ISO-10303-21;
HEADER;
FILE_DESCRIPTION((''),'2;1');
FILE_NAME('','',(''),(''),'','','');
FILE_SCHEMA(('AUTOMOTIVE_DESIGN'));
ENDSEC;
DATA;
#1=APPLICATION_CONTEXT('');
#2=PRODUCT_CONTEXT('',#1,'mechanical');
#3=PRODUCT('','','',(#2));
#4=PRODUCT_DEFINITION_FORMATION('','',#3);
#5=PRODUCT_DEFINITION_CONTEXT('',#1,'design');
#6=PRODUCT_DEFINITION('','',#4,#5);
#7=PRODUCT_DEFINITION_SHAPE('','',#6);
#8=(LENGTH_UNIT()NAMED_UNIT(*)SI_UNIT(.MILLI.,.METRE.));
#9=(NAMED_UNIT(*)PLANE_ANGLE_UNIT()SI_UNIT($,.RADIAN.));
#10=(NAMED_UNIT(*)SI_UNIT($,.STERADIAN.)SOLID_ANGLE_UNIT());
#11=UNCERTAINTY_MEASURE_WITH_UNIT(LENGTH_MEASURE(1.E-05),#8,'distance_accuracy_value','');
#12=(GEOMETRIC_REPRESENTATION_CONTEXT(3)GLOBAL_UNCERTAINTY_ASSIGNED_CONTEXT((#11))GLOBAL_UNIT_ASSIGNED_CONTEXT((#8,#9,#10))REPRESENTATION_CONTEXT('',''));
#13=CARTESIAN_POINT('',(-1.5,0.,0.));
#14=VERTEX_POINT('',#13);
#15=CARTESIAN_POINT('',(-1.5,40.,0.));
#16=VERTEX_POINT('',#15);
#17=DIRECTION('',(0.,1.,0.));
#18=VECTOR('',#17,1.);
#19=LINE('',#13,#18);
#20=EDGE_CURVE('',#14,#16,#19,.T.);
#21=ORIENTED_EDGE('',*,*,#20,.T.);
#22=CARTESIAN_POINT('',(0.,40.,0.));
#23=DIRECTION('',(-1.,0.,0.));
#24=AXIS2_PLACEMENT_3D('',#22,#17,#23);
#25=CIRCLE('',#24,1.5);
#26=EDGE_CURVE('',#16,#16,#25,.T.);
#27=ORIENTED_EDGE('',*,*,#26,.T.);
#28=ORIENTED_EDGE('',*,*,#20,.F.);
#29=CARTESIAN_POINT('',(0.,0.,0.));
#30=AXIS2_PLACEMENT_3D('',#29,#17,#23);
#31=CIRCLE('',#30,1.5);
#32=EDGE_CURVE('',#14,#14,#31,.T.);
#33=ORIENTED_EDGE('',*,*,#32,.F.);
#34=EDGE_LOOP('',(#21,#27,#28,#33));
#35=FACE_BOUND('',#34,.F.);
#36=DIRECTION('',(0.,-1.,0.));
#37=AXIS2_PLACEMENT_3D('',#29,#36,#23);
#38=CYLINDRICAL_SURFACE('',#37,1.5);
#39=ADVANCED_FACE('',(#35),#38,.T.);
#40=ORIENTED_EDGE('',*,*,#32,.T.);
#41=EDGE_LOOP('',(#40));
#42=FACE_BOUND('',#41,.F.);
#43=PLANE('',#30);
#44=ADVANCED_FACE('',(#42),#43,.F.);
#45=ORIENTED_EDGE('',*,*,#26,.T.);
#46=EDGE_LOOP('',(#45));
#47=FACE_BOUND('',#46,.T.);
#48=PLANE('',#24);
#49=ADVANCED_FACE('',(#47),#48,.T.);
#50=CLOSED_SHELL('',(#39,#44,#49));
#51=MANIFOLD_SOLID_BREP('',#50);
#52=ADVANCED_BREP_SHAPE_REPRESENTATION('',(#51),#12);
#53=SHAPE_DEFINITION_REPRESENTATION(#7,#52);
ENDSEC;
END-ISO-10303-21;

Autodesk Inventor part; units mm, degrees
ref_plane "YZ Plane" through (0, 0, 0) normal (1, 0, 0) x (0, 1, 0)
ref_plane "XZ Plane" through (0, 0, 0) normal (0, 1, 0) x (-1, 0, 0)
ref_plane "XY Plane" through (0, 0, 0) normal (0, 0, 1) x (1, 0, 0)
sketch "Sketch4" plane through (0, 0, 0) normal (0, 1, 0) x (-1, 0, 0)
  circle A0 centre (0, 0) radius 1.5
  dimension "d6" = 3
extrude "Extrusion3" add sketch "Sketch4" along normal blind 40
properties part number "40mm Standoff" material "Nylon 6/6"
